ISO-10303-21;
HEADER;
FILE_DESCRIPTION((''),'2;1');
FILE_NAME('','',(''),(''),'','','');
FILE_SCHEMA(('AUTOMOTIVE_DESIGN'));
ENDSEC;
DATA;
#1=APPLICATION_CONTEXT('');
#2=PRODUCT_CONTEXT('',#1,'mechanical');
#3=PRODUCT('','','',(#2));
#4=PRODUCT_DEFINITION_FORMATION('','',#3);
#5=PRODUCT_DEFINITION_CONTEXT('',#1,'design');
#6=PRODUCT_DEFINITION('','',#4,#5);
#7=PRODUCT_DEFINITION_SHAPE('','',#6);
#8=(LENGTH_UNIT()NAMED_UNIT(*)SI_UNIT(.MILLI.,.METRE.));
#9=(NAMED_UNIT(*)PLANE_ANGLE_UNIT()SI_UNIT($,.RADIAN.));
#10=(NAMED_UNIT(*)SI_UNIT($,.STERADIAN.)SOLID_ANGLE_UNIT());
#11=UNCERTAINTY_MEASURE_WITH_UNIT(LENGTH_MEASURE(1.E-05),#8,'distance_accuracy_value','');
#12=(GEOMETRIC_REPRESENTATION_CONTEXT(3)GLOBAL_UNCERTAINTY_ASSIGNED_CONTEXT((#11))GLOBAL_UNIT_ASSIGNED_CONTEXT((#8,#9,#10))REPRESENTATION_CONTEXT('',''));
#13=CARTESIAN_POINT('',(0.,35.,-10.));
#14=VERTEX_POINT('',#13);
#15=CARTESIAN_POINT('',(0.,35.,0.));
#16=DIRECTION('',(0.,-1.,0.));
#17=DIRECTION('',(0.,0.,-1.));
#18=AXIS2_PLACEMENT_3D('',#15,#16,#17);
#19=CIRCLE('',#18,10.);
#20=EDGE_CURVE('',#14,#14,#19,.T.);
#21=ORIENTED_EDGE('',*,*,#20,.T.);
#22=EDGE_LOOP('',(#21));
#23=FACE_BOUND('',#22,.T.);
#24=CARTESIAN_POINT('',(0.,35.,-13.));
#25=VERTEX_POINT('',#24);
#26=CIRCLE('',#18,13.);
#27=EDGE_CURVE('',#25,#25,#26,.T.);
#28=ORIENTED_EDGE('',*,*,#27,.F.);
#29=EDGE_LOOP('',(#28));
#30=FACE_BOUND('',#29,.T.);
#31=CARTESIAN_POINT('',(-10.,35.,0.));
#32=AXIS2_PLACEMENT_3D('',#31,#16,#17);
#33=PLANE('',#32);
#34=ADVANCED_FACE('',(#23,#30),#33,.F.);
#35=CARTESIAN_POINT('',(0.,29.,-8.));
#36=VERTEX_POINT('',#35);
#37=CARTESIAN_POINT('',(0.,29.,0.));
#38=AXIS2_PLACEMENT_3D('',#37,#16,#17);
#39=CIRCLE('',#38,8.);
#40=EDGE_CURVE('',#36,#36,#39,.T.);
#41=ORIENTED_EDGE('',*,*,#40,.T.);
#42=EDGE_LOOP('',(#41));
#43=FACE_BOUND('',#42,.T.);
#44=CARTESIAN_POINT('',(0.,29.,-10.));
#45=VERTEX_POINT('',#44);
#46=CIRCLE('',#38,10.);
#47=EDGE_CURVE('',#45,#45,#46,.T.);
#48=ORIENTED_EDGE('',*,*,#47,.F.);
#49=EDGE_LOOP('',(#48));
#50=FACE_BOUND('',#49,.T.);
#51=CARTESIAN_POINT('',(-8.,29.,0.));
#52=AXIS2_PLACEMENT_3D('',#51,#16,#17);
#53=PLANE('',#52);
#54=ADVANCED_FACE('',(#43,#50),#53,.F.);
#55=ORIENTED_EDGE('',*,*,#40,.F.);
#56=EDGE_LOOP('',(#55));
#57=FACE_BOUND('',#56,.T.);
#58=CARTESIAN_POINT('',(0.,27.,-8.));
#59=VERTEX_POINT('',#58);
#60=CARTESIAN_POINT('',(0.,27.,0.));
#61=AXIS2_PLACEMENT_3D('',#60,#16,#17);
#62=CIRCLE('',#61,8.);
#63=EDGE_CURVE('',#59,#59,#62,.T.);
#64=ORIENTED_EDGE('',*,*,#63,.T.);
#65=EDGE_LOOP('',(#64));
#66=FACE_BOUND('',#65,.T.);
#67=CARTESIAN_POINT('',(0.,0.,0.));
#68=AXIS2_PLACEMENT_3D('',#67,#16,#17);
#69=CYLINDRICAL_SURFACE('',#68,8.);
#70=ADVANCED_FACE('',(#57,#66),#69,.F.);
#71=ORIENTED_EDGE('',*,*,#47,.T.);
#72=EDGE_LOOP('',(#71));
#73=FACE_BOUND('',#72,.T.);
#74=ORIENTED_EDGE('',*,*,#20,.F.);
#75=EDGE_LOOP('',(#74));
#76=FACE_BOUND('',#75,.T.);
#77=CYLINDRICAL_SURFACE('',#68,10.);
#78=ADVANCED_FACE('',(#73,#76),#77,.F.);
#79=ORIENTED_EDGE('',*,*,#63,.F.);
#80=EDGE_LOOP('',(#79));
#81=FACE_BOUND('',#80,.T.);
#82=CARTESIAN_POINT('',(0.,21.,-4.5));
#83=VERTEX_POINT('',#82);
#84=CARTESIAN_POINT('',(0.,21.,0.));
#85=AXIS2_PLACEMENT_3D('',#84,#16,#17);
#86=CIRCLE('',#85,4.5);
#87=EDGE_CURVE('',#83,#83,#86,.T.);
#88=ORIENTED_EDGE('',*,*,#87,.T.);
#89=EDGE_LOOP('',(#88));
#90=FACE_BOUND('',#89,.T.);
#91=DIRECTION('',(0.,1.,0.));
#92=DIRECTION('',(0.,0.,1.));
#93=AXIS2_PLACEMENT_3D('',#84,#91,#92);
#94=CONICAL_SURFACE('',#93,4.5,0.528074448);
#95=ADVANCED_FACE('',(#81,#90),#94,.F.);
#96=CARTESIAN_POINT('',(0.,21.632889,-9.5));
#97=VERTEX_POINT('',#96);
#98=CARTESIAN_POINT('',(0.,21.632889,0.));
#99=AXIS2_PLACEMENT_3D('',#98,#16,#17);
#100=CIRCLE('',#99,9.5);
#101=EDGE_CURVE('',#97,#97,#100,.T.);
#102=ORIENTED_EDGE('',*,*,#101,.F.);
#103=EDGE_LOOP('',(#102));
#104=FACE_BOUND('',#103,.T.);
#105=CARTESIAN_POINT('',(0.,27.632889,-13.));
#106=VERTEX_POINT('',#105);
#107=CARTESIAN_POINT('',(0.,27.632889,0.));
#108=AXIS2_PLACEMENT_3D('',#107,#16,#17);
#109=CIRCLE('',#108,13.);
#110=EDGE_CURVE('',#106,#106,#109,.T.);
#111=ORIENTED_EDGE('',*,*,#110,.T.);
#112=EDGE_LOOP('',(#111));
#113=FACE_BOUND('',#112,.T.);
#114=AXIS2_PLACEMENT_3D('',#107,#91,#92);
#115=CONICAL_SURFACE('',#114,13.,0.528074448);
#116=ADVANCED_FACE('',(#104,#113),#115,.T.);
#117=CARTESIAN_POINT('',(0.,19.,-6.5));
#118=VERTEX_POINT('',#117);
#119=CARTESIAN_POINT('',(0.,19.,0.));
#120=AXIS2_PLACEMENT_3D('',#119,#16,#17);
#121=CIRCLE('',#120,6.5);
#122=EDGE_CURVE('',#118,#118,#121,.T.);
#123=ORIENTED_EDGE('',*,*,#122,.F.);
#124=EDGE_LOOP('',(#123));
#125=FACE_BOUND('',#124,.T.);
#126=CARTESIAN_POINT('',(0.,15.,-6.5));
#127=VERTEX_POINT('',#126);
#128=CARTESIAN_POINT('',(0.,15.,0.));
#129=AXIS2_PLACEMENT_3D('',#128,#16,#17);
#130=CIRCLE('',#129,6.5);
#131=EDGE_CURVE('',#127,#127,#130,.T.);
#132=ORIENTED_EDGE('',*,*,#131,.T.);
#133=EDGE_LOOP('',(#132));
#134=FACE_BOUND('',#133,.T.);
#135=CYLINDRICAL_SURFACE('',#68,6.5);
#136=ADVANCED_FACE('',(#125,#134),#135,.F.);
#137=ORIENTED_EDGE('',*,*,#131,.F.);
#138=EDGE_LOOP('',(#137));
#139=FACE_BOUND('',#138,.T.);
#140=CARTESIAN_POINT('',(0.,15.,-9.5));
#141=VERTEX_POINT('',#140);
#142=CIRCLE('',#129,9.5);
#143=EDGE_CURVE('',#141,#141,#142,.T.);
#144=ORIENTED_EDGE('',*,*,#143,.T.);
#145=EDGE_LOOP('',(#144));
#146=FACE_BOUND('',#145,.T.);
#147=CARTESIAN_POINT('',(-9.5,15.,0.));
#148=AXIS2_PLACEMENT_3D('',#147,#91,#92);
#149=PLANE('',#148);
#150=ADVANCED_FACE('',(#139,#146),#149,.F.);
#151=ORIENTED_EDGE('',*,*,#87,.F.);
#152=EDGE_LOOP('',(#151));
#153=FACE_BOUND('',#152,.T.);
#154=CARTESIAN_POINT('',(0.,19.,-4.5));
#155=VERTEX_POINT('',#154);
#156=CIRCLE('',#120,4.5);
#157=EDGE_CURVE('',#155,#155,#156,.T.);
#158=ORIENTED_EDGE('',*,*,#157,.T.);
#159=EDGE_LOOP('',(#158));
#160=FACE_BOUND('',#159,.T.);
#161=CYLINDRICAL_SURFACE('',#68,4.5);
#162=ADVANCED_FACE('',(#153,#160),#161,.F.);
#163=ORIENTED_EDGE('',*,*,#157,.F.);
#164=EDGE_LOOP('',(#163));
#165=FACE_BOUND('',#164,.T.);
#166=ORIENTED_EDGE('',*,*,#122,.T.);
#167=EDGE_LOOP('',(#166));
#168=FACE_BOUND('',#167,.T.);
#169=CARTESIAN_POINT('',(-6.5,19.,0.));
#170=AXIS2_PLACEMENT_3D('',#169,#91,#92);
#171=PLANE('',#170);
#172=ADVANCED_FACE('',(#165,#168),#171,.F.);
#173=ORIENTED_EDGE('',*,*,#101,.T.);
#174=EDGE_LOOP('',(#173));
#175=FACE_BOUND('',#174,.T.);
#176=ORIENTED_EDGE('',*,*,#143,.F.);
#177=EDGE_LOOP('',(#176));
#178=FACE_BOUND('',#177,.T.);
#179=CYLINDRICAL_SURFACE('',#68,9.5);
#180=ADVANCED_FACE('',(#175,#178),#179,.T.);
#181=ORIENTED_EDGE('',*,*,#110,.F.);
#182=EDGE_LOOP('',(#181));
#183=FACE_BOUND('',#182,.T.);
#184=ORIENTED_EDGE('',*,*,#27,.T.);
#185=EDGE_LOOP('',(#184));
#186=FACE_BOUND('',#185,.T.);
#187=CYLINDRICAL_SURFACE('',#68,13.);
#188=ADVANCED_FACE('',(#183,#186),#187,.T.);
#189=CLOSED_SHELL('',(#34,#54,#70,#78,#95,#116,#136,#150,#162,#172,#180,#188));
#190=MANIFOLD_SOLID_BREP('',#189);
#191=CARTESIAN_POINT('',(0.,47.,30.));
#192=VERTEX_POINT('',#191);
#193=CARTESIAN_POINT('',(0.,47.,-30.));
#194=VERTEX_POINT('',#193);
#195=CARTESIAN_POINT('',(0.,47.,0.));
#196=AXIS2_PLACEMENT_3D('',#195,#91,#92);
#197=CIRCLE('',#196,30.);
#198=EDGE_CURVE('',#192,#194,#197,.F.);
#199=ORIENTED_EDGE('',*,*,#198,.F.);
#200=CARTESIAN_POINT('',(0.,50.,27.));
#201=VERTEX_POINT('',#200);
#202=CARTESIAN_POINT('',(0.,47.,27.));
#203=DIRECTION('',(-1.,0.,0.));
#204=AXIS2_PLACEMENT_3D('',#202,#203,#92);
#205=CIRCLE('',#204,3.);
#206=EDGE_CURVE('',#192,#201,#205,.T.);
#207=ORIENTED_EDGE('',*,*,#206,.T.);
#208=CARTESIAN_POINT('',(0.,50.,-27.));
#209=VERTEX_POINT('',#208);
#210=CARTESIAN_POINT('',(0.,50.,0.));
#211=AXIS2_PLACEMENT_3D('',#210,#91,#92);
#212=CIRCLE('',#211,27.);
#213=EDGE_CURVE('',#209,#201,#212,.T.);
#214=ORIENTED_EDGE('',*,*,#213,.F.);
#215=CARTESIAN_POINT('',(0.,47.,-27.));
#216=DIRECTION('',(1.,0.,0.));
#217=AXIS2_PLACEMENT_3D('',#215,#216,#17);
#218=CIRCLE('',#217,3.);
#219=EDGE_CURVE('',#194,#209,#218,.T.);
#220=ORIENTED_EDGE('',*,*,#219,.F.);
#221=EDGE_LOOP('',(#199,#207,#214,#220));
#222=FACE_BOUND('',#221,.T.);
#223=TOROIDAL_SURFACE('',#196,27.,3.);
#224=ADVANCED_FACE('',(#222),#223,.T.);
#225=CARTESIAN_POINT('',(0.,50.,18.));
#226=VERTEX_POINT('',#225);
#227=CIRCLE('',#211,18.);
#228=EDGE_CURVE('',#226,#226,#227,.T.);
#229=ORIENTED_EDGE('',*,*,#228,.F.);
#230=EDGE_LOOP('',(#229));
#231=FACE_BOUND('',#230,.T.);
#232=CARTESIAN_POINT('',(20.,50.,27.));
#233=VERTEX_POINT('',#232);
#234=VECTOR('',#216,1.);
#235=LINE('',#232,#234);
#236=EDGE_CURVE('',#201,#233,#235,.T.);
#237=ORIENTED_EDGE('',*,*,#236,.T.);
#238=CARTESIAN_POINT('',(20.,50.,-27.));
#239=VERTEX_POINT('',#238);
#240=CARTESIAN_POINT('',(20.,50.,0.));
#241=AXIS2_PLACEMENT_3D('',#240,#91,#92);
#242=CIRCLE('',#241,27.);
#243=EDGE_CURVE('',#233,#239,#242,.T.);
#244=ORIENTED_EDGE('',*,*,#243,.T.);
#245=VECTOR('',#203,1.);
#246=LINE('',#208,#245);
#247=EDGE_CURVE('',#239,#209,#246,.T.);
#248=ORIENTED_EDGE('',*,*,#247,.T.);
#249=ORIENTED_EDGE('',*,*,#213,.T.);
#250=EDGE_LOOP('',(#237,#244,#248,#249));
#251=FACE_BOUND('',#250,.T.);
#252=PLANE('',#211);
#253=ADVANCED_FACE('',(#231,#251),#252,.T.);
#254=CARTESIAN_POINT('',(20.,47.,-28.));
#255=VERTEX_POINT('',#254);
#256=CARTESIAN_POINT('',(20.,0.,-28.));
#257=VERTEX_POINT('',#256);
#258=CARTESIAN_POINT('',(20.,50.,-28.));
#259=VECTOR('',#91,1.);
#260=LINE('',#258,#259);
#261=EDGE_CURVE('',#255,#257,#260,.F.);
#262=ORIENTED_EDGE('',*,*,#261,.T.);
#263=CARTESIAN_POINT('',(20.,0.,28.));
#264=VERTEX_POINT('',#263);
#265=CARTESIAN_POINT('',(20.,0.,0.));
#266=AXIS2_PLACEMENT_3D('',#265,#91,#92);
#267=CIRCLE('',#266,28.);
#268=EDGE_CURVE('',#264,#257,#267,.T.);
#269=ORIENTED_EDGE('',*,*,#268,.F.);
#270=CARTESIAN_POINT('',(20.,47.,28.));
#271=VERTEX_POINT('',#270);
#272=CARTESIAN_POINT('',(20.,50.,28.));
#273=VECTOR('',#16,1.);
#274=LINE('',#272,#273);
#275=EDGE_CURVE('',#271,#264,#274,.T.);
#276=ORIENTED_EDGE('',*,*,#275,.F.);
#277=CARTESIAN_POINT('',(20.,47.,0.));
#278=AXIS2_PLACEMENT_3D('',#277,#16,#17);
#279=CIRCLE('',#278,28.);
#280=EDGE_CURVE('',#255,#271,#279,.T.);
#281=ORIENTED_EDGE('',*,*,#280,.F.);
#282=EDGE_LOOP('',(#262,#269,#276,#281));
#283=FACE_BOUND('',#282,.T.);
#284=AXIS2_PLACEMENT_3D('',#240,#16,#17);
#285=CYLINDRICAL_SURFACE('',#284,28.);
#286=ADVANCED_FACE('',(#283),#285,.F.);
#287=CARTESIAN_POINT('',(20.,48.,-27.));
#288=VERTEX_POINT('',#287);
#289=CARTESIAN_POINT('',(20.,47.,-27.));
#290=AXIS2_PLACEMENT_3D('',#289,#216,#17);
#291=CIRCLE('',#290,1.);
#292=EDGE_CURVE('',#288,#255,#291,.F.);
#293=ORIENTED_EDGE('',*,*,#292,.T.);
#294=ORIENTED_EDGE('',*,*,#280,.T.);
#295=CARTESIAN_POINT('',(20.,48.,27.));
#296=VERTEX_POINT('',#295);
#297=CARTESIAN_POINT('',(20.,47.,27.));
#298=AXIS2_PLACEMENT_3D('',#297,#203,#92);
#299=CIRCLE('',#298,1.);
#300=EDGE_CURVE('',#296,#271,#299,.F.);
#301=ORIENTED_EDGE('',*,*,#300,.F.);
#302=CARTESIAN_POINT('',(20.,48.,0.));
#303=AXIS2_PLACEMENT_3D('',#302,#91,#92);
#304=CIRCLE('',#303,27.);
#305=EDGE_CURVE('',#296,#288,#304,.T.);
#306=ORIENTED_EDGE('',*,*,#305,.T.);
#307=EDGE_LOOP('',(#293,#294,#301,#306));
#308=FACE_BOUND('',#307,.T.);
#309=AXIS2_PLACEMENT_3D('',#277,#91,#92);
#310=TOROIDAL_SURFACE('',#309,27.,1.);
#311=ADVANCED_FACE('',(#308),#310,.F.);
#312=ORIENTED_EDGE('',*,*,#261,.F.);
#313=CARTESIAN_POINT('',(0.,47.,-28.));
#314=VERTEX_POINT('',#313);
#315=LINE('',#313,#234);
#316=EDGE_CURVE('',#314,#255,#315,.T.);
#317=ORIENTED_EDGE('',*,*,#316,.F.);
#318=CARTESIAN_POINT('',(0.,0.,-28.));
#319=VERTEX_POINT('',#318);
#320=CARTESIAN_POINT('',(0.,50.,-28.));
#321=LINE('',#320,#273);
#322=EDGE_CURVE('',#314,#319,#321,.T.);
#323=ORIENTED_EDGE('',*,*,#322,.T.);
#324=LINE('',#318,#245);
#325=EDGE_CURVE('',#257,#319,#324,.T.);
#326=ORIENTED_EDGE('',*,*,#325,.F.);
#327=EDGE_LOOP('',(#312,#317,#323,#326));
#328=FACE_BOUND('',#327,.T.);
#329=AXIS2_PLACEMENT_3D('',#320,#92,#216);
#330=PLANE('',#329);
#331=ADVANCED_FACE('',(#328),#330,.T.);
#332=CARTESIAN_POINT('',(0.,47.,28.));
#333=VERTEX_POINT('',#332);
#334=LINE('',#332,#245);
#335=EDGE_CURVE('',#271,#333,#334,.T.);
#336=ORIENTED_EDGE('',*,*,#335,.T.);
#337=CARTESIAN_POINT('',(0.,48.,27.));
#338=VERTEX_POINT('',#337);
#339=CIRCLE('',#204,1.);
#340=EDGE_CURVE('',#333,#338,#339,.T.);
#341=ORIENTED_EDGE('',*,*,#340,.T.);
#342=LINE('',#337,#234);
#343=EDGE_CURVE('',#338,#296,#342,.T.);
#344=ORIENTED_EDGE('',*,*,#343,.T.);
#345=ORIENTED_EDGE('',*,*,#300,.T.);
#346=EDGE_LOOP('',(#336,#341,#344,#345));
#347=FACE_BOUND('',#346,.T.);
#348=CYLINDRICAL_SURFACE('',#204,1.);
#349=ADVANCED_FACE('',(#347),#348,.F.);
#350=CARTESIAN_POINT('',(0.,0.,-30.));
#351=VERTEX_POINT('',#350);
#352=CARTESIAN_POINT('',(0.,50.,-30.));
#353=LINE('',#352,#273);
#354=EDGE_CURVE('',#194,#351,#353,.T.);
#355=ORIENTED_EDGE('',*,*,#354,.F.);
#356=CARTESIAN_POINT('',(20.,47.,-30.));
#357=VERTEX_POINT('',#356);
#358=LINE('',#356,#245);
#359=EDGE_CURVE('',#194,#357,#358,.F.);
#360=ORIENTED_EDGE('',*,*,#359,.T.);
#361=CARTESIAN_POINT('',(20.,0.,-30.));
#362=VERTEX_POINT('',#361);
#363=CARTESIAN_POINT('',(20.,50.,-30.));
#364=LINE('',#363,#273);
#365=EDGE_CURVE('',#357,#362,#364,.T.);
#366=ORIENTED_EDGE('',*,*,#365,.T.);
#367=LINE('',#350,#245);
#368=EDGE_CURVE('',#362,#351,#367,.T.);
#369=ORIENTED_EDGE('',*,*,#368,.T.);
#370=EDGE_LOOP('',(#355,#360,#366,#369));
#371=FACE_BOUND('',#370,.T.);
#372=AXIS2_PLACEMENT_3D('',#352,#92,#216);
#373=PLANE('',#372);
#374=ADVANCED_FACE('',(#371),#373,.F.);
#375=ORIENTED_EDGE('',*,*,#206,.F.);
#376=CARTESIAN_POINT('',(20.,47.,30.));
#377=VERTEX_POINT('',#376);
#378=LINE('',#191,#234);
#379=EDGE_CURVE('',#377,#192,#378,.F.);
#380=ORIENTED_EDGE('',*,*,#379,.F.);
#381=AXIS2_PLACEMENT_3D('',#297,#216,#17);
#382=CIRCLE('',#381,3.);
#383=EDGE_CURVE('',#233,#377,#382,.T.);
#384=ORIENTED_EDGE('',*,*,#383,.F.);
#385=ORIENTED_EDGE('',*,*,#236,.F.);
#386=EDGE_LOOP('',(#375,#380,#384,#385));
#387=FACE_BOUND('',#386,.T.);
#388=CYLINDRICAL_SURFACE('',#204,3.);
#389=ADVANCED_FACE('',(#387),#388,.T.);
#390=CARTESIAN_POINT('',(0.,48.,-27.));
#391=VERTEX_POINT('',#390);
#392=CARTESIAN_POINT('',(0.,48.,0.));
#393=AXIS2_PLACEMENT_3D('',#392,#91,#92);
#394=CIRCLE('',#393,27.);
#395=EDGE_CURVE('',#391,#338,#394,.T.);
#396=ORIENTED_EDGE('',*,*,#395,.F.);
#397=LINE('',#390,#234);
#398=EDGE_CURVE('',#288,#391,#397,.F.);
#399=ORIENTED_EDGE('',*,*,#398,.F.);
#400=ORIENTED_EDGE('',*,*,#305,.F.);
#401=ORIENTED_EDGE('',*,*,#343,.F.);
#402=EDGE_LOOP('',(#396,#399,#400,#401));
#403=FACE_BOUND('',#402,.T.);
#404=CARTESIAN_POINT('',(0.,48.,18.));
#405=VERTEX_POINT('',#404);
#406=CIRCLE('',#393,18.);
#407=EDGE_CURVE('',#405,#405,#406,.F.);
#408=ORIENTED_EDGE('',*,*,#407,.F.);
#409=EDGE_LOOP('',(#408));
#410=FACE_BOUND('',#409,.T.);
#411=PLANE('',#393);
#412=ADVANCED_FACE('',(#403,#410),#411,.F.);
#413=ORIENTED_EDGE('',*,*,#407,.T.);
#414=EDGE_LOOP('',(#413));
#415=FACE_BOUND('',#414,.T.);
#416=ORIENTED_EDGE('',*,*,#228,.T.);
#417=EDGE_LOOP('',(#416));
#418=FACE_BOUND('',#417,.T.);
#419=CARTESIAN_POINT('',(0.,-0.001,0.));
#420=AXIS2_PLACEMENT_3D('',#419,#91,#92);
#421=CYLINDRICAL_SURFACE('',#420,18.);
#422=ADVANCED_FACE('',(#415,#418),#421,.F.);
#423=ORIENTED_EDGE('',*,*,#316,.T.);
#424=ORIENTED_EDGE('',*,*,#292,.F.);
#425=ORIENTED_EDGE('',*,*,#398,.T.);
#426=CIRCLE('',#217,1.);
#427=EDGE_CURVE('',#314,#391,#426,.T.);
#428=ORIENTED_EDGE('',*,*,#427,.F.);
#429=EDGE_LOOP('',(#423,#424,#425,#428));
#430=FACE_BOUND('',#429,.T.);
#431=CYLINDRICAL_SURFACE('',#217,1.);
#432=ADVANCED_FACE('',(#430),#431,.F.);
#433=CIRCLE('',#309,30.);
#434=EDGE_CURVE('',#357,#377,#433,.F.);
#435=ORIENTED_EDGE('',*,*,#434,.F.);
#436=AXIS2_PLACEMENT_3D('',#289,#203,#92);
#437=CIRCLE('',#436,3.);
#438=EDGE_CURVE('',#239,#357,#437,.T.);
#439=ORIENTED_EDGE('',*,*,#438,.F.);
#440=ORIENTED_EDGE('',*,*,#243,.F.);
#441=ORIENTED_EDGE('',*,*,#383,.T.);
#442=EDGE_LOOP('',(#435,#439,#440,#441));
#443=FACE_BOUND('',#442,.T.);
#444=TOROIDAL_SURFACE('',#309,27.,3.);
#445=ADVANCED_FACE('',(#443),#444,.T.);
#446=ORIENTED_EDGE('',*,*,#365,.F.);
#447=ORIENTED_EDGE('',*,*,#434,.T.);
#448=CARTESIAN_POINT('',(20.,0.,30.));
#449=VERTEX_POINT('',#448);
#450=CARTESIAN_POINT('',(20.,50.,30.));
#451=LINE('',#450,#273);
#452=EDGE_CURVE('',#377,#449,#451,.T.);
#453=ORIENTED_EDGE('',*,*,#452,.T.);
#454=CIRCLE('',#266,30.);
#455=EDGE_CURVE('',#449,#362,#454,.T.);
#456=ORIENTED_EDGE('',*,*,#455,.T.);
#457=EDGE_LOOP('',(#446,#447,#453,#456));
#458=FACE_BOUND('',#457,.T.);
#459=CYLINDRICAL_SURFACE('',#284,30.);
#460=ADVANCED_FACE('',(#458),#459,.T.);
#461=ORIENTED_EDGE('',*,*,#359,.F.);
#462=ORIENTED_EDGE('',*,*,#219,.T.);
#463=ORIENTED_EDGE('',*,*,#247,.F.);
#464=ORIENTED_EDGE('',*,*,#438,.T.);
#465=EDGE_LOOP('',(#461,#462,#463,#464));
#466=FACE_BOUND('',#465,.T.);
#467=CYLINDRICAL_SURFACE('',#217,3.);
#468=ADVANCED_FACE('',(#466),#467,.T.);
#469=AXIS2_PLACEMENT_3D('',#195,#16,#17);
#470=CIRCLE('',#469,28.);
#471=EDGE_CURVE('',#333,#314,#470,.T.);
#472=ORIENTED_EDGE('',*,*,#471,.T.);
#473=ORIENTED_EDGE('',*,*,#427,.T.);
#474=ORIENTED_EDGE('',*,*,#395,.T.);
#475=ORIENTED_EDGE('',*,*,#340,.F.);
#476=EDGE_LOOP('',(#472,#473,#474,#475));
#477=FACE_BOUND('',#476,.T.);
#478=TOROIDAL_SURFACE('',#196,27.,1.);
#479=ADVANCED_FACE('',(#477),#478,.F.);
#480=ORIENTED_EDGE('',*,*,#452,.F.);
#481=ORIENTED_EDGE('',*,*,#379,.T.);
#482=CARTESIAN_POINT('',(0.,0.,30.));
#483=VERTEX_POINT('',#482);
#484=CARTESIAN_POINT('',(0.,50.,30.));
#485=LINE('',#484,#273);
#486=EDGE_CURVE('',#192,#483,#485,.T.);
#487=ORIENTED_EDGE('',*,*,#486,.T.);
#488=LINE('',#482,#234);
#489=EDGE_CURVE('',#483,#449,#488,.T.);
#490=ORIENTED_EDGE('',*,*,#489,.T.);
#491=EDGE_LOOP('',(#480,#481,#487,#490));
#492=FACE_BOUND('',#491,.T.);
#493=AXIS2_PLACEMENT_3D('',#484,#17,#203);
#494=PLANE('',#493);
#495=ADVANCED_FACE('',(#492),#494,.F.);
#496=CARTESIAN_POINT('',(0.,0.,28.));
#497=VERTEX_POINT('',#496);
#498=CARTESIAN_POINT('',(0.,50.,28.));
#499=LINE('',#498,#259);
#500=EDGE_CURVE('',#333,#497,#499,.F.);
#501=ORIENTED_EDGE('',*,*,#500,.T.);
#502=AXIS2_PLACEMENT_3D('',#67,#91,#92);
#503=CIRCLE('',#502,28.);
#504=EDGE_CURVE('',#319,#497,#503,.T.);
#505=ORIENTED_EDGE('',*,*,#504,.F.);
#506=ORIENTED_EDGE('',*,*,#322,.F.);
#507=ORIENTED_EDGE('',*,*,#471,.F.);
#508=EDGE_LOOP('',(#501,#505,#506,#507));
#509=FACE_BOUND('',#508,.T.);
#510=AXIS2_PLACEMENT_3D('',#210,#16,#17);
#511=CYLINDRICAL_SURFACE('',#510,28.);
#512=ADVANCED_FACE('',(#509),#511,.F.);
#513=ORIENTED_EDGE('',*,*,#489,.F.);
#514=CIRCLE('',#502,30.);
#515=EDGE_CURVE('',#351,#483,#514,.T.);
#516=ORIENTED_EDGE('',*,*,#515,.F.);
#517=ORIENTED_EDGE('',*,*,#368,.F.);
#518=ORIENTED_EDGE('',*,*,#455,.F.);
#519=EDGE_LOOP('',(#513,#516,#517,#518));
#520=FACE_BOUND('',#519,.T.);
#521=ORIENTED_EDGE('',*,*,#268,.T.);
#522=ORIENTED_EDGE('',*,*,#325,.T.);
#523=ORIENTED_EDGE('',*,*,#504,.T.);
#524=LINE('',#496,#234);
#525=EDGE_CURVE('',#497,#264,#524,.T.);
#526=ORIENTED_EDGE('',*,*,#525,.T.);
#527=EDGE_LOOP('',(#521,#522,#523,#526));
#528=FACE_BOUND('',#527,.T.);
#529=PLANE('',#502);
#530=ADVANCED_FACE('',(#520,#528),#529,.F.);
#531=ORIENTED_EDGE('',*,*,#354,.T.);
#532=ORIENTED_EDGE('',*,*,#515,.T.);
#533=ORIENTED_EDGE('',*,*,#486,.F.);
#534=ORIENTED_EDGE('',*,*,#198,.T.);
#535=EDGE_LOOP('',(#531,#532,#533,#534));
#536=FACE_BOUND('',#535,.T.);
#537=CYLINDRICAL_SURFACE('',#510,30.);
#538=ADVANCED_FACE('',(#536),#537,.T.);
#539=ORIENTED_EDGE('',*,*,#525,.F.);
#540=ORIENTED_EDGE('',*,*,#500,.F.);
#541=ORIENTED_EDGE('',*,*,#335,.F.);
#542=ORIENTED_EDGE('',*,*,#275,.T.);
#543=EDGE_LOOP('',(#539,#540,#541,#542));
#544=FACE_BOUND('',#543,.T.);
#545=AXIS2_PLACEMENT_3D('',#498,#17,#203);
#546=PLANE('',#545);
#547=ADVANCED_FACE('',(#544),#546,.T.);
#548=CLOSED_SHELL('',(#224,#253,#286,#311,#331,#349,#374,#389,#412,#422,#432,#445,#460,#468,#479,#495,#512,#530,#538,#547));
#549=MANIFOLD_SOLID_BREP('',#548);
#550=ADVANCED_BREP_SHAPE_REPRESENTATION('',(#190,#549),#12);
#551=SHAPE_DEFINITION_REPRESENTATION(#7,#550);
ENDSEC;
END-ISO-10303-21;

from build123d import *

# Parameters (mm, degrees)
EXTRUDE_1_DEPTH     = 50
FILLET_1_R          = 3
SHELL_1_T           = -2
CUT_EXTRUDE_1_REACH = 78.811
SKETCH_2_R          = 18


with BuildPart() as part:
    # 草图1 → 凸台-拉伸1 (new body)
    with BuildSketch(Plane(origin=(0, 0, 0), x_dir=(1, 0, 0), z_dir=(0, 1, 0))):
        with BuildLine():
            Line((0, 30), (20, 30))
            ThreePointArc((20, 30), (50, 0), (20, -30))
            Line((20, -30), (0, -30))
            ThreePointArc((0, -30), (-30, 0), (0, 30))
        make_face()
    extrude(amount=EXTRUDE_1_DEPTH)

    # 圆角1
    fillet_1_edges = [part.edges().sort_by_distance(p)[0] for p in [
        (50, 50, 0),
        (10, 50, -30),
        (-30, 50, 0),
        (10, 50, 30),
    ]]
    fillet(fillet_1_edges, radius=FILLET_1_R)

    # 抽壳1
    shell_1_openings = [part.faces().sort_by_distance(p)[0] for p in [
        (10, 0, 0),
    ]]
    offset(amount=SHELL_1_T, openings=shell_1_openings, kind=Kind.INTERSECTION)

    # 草图2 → 切除-拉伸1 (cut, up to next)
    with BuildSketch(Plane(origin=(0, 50, 0), x_dir=(1, 0, 0), z_dir=(0, 1, 0)), mode=Mode.PRIVATE) as cut_extrude_1_sk1:
        with Locations(Location((0, 0, 0), (0, 0, 270))):
            Circle(SKETCH_2_R)
    cut_extrude_1_tool1 = extrude(cut_extrude_1_sk1.sketch, amount=-CUT_EXTRUDE_1_REACH, mode=Mode.PRIVATE) & part.part
    add(cut_extrude_1_tool1.solids().sort_by_distance((0, 50, 0))[0], mode=Mode.SUBTRACT)


with BuildPart() as body_2:
    # 草图3 → 旋转1 (revolve)
    with BuildSketch(Plane.XY, mode=Mode.PRIVATE) as revolve_1_sk:
        Polygon((-10, 35), (-13, 35), (-13, 27.632889149), (-9.5, 21.632889149), (-9.5, 15), (-6.5, 15), (-6.5, 19), (-4.5, 19), (-4.5, 21), (-8, 27), (-8, 29), (-10, 29), align=None)
    revolve(revolve_1_sk.sketch.rotate(Axis((0, 0, 0), (0, 1, 0)), 270), axis=Axis((0, 0, 0), (0, 1, 0)))


solid = Compound([part.part, body_2.part])
